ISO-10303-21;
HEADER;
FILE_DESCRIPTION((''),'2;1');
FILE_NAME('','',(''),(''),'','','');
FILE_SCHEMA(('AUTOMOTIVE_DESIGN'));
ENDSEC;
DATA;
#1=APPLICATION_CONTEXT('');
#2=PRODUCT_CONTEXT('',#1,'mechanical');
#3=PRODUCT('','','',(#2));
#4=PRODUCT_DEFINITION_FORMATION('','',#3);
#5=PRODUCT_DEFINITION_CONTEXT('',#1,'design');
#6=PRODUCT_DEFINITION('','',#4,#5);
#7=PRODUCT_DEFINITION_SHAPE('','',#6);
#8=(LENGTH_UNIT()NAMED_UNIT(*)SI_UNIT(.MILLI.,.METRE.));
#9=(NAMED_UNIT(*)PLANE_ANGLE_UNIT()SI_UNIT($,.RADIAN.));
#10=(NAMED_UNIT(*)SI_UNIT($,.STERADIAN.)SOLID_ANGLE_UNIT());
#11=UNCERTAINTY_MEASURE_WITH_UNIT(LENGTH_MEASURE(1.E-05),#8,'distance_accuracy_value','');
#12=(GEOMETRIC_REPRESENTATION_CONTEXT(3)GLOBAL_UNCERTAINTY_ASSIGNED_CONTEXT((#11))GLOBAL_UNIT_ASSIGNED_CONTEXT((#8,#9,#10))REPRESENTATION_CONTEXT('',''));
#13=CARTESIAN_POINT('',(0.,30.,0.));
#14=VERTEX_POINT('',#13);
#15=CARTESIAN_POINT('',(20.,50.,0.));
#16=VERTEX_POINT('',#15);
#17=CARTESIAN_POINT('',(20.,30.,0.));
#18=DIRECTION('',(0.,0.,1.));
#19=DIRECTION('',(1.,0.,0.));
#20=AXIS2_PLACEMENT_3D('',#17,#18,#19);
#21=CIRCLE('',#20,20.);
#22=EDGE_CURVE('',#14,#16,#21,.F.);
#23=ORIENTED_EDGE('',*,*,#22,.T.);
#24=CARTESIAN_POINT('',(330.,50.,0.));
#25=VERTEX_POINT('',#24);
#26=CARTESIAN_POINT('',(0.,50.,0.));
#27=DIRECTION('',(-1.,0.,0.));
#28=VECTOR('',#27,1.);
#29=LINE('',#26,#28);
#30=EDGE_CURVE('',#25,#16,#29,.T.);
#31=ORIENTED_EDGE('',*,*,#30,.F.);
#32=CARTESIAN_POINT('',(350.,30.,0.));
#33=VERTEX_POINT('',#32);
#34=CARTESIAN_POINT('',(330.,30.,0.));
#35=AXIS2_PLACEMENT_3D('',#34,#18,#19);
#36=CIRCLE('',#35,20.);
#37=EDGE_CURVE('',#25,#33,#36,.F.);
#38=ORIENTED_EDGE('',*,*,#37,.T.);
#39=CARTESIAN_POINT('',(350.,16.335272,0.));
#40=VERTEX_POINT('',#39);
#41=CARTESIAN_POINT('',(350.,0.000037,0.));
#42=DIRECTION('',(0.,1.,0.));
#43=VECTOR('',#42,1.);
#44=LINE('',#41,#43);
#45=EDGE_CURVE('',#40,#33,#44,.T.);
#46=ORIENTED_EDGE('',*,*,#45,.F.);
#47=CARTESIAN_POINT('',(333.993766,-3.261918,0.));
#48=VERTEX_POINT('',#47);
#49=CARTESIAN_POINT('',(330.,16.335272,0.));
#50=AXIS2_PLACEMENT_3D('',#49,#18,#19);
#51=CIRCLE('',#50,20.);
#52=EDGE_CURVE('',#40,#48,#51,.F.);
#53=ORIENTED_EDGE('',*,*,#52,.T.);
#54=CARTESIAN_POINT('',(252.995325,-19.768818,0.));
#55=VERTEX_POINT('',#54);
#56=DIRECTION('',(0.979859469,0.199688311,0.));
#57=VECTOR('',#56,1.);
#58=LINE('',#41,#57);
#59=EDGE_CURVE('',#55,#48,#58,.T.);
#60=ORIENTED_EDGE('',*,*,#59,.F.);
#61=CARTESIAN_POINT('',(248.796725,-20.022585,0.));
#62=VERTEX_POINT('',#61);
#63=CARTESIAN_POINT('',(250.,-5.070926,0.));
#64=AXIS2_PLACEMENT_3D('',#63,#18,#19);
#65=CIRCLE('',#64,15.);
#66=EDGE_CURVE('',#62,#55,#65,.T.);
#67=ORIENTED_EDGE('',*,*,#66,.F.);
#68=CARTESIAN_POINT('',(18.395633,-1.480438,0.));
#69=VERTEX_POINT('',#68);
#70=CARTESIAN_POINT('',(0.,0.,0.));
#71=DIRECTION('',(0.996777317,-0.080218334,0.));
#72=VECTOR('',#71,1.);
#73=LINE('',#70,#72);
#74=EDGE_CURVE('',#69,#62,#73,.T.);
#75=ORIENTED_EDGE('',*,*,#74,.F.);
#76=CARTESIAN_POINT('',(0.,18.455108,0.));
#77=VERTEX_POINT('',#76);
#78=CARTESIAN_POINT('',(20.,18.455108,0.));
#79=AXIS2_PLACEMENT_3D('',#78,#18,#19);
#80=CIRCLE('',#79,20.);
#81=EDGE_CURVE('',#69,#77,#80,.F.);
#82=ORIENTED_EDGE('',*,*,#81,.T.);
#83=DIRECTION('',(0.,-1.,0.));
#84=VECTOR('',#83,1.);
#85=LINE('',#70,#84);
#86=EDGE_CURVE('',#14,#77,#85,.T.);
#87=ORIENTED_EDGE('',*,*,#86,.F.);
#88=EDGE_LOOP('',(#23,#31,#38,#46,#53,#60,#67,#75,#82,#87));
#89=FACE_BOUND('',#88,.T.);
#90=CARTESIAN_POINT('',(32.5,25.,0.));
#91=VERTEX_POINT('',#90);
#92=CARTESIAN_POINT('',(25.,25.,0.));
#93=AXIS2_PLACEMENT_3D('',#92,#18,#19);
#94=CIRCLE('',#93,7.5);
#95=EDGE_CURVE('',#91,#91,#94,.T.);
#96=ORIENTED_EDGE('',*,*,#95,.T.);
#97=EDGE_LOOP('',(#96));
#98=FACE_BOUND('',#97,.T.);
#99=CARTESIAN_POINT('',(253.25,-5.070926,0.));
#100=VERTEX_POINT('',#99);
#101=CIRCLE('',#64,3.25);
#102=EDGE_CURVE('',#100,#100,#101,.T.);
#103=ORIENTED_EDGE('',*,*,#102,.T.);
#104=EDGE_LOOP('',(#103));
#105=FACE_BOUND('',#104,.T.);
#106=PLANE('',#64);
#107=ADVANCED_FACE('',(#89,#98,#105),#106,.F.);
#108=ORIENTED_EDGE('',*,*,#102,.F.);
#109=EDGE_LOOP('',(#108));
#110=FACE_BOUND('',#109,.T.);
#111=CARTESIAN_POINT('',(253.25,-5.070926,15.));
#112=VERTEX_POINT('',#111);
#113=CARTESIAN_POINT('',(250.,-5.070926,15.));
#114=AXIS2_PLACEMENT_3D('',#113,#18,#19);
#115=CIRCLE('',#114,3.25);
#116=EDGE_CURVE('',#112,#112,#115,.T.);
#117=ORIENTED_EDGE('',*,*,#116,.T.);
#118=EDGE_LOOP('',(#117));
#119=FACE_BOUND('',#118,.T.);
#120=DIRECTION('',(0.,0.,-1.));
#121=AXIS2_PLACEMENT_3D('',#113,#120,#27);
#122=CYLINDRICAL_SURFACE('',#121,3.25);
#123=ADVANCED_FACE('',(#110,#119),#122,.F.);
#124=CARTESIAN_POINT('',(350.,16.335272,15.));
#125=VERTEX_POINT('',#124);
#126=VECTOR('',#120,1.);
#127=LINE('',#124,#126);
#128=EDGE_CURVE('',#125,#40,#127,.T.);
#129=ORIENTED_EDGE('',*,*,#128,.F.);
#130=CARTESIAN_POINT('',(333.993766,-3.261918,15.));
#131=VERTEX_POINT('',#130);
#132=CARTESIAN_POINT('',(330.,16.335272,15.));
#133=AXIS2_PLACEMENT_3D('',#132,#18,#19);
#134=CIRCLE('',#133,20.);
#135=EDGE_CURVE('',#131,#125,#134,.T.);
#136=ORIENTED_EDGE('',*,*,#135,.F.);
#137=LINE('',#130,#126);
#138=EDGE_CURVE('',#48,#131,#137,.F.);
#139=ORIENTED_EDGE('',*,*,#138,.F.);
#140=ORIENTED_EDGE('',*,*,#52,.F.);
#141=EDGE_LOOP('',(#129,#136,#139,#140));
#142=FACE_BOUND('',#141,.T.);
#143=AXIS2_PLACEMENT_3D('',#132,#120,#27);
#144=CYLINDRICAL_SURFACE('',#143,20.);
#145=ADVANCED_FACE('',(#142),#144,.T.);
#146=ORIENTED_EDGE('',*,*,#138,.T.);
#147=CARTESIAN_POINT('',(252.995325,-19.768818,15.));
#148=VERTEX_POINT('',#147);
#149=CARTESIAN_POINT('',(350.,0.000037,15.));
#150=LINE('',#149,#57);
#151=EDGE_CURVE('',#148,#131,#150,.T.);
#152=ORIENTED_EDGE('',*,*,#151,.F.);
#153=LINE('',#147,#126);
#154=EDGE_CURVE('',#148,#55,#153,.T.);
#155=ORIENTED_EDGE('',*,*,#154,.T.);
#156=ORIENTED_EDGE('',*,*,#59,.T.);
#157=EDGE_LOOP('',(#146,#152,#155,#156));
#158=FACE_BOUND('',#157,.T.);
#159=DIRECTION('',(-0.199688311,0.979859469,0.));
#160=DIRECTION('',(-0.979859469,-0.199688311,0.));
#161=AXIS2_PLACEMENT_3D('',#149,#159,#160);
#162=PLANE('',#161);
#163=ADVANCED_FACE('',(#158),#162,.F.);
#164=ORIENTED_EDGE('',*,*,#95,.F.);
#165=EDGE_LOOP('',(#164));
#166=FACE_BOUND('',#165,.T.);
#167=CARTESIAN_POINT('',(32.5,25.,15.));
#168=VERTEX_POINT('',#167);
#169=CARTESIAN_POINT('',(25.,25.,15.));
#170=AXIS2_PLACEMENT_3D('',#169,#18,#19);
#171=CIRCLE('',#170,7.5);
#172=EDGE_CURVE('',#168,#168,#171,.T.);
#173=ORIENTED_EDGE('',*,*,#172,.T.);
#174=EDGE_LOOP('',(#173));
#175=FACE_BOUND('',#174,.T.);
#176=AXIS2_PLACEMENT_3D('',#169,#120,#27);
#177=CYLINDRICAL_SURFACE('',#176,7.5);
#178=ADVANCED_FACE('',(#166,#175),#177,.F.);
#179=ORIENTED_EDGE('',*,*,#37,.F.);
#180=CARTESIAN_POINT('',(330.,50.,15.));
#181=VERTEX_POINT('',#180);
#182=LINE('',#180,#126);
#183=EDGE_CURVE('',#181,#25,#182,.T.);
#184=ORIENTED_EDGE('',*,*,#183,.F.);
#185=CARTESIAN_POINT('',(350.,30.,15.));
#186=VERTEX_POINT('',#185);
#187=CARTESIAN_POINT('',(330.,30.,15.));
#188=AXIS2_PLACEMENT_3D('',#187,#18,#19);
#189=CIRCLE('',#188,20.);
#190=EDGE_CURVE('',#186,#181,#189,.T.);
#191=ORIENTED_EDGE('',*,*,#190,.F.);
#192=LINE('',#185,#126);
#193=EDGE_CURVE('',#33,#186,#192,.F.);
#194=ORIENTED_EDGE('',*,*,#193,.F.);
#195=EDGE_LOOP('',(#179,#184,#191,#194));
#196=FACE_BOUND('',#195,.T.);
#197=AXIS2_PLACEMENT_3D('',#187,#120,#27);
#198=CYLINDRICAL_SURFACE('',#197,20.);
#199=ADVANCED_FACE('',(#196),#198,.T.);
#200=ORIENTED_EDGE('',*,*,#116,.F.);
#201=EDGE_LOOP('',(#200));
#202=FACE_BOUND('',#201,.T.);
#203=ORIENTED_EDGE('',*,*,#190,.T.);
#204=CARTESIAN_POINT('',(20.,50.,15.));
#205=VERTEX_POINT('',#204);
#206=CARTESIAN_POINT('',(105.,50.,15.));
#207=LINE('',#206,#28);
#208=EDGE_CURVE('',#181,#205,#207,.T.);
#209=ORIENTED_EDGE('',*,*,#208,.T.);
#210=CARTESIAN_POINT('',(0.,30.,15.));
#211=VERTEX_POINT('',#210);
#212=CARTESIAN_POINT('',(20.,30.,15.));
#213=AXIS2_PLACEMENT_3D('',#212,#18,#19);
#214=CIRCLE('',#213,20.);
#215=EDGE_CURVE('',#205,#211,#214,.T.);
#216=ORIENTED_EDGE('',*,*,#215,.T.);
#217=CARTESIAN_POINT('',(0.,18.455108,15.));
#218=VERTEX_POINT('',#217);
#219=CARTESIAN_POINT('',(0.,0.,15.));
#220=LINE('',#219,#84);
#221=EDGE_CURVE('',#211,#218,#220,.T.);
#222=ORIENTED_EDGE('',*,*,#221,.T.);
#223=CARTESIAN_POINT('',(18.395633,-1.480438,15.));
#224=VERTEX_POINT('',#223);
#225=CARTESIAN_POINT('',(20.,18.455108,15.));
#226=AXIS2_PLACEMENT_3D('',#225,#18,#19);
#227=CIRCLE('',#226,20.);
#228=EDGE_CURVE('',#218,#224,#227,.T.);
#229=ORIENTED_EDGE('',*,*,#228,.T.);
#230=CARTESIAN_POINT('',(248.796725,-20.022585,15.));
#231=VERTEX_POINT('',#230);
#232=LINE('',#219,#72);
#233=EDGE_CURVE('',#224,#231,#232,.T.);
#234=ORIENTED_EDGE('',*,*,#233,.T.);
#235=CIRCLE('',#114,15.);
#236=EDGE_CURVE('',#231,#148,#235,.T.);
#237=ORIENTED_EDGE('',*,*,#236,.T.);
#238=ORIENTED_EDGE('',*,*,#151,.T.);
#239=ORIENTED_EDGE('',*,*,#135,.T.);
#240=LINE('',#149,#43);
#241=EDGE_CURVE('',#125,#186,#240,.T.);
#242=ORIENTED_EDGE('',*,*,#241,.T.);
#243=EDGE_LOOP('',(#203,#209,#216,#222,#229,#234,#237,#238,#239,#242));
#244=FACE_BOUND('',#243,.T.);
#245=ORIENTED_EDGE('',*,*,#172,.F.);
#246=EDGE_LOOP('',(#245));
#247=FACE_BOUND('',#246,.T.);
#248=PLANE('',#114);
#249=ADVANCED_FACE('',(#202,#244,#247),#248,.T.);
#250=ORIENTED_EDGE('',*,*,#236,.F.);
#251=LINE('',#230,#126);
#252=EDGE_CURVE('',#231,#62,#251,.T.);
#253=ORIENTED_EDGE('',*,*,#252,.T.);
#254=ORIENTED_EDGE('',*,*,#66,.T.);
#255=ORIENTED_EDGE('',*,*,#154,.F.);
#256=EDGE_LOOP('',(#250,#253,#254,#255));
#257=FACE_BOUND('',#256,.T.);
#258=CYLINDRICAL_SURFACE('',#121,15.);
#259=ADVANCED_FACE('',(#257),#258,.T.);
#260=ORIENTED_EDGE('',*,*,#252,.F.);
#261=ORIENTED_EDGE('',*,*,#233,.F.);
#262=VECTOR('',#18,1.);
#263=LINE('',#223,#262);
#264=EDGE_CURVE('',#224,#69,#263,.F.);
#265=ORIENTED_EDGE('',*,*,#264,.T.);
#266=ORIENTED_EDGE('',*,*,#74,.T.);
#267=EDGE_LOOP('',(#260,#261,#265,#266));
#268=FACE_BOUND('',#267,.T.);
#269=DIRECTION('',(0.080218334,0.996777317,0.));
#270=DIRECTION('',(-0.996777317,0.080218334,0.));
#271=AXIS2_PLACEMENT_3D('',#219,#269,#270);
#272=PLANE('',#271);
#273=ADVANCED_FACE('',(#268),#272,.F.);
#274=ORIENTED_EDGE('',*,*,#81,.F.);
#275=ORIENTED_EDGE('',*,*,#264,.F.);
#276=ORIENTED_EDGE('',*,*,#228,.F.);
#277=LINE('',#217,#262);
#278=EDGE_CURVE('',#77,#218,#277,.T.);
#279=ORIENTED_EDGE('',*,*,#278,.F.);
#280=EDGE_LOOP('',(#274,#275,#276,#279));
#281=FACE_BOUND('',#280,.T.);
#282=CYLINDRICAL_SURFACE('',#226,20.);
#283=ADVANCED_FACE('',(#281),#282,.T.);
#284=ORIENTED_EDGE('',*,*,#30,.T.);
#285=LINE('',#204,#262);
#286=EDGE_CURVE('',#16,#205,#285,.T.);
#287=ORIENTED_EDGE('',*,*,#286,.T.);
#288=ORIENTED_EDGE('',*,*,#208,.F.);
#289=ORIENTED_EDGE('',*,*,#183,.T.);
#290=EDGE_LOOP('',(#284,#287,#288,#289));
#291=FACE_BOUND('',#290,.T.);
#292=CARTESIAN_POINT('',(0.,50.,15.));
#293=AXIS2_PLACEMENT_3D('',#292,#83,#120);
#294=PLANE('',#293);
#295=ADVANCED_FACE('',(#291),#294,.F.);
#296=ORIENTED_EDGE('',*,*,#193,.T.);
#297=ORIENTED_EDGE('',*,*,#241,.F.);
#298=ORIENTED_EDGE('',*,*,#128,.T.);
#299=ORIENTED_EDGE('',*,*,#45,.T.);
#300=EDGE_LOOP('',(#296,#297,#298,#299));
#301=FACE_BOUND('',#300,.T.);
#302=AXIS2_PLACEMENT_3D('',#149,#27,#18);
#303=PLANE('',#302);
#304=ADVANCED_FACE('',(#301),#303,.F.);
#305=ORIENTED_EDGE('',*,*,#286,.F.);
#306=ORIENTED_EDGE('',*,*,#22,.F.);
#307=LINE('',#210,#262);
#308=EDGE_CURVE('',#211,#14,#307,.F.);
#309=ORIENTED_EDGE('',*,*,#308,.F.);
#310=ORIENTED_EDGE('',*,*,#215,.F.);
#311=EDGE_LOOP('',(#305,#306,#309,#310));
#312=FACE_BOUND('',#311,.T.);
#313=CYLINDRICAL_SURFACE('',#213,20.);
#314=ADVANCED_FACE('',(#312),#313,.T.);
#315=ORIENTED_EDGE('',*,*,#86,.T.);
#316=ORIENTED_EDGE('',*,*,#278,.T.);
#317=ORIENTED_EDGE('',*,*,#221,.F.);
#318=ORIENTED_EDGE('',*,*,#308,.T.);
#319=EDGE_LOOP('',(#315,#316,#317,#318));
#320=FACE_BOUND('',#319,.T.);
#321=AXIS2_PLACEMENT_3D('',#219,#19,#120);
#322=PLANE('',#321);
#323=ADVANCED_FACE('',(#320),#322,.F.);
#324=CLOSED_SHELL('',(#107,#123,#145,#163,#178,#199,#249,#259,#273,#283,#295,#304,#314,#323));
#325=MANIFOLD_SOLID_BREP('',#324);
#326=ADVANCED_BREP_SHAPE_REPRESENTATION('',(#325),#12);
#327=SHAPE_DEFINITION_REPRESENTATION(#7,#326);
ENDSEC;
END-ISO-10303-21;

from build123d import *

# Parameters (mm, degrees)
SKETCH1_R           = 7.5
SKETCH1_R_2         = 3.25
BOSS_EXTRUDE1_DEPTH = 15
FILLET1_R           = 20
FILLET2_R           = 20
FILLET3_R           = 20
FILLET4_R           = 20


with BuildPart() as part:
    # Sketch1 → Boss-Extrude1 (new body)
    with BuildSketch(Plane.XY):
        with BuildLine():
            Line((75, 50), (105, 50))
            Line((105, 50), (350, 50))
            Line((350, 50), (350, 3.7471e-05))
            Line((350, 3.7471e-05), (252.995324667, -19.768817559))
            ThreePointArc((252.995324667, -19.768817559), (250.90496409, -20.043601976), (248.796724988, -20.022585277))
            Line((248.796724988, -20.022585277), (0, 0))
            Line((0, 0), (0, 50))
            Line((0, 50), (75, 50))
        make_face()
        with Locations((25, 25)):
            Circle(SKETCH1_R, mode=Mode.SUBTRACT)
        with Locations((250, -5.070925528)):
            Circle(SKETCH1_R_2, mode=Mode.SUBTRACT)
    extrude(amount=BOSS_EXTRUDE1_DEPTH)

    # Fillet1
    fillet1_edges = [part.edges().sort_by_distance(p)[0] for p in [
        (0, 50, 7.5),
    ]]
    fillet(fillet1_edges, radius=FILLET1_R)

    # Fillet2
    fillet2_edges = [part.edges().sort_by_distance(p)[0] for p in [
        (0, 0, 7.5),
    ]]
    fillet(fillet2_edges, radius=FILLET2_R)

    # Fillet3
    fillet3_edges = [part.edges().sort_by_distance(p)[0] for p in [
        (350, 50, 7.5),
    ]]
    fillet(fillet3_edges, radius=FILLET3_R)

    # Fillet4
    fillet4_edges = [part.edges().sort_by_distance(p)[0] for p in [
        (350, 3.7471e-05, 7.5),
    ]]
    fillet(fillet4_edges, radius=FILLET4_R)


solid = part.part
